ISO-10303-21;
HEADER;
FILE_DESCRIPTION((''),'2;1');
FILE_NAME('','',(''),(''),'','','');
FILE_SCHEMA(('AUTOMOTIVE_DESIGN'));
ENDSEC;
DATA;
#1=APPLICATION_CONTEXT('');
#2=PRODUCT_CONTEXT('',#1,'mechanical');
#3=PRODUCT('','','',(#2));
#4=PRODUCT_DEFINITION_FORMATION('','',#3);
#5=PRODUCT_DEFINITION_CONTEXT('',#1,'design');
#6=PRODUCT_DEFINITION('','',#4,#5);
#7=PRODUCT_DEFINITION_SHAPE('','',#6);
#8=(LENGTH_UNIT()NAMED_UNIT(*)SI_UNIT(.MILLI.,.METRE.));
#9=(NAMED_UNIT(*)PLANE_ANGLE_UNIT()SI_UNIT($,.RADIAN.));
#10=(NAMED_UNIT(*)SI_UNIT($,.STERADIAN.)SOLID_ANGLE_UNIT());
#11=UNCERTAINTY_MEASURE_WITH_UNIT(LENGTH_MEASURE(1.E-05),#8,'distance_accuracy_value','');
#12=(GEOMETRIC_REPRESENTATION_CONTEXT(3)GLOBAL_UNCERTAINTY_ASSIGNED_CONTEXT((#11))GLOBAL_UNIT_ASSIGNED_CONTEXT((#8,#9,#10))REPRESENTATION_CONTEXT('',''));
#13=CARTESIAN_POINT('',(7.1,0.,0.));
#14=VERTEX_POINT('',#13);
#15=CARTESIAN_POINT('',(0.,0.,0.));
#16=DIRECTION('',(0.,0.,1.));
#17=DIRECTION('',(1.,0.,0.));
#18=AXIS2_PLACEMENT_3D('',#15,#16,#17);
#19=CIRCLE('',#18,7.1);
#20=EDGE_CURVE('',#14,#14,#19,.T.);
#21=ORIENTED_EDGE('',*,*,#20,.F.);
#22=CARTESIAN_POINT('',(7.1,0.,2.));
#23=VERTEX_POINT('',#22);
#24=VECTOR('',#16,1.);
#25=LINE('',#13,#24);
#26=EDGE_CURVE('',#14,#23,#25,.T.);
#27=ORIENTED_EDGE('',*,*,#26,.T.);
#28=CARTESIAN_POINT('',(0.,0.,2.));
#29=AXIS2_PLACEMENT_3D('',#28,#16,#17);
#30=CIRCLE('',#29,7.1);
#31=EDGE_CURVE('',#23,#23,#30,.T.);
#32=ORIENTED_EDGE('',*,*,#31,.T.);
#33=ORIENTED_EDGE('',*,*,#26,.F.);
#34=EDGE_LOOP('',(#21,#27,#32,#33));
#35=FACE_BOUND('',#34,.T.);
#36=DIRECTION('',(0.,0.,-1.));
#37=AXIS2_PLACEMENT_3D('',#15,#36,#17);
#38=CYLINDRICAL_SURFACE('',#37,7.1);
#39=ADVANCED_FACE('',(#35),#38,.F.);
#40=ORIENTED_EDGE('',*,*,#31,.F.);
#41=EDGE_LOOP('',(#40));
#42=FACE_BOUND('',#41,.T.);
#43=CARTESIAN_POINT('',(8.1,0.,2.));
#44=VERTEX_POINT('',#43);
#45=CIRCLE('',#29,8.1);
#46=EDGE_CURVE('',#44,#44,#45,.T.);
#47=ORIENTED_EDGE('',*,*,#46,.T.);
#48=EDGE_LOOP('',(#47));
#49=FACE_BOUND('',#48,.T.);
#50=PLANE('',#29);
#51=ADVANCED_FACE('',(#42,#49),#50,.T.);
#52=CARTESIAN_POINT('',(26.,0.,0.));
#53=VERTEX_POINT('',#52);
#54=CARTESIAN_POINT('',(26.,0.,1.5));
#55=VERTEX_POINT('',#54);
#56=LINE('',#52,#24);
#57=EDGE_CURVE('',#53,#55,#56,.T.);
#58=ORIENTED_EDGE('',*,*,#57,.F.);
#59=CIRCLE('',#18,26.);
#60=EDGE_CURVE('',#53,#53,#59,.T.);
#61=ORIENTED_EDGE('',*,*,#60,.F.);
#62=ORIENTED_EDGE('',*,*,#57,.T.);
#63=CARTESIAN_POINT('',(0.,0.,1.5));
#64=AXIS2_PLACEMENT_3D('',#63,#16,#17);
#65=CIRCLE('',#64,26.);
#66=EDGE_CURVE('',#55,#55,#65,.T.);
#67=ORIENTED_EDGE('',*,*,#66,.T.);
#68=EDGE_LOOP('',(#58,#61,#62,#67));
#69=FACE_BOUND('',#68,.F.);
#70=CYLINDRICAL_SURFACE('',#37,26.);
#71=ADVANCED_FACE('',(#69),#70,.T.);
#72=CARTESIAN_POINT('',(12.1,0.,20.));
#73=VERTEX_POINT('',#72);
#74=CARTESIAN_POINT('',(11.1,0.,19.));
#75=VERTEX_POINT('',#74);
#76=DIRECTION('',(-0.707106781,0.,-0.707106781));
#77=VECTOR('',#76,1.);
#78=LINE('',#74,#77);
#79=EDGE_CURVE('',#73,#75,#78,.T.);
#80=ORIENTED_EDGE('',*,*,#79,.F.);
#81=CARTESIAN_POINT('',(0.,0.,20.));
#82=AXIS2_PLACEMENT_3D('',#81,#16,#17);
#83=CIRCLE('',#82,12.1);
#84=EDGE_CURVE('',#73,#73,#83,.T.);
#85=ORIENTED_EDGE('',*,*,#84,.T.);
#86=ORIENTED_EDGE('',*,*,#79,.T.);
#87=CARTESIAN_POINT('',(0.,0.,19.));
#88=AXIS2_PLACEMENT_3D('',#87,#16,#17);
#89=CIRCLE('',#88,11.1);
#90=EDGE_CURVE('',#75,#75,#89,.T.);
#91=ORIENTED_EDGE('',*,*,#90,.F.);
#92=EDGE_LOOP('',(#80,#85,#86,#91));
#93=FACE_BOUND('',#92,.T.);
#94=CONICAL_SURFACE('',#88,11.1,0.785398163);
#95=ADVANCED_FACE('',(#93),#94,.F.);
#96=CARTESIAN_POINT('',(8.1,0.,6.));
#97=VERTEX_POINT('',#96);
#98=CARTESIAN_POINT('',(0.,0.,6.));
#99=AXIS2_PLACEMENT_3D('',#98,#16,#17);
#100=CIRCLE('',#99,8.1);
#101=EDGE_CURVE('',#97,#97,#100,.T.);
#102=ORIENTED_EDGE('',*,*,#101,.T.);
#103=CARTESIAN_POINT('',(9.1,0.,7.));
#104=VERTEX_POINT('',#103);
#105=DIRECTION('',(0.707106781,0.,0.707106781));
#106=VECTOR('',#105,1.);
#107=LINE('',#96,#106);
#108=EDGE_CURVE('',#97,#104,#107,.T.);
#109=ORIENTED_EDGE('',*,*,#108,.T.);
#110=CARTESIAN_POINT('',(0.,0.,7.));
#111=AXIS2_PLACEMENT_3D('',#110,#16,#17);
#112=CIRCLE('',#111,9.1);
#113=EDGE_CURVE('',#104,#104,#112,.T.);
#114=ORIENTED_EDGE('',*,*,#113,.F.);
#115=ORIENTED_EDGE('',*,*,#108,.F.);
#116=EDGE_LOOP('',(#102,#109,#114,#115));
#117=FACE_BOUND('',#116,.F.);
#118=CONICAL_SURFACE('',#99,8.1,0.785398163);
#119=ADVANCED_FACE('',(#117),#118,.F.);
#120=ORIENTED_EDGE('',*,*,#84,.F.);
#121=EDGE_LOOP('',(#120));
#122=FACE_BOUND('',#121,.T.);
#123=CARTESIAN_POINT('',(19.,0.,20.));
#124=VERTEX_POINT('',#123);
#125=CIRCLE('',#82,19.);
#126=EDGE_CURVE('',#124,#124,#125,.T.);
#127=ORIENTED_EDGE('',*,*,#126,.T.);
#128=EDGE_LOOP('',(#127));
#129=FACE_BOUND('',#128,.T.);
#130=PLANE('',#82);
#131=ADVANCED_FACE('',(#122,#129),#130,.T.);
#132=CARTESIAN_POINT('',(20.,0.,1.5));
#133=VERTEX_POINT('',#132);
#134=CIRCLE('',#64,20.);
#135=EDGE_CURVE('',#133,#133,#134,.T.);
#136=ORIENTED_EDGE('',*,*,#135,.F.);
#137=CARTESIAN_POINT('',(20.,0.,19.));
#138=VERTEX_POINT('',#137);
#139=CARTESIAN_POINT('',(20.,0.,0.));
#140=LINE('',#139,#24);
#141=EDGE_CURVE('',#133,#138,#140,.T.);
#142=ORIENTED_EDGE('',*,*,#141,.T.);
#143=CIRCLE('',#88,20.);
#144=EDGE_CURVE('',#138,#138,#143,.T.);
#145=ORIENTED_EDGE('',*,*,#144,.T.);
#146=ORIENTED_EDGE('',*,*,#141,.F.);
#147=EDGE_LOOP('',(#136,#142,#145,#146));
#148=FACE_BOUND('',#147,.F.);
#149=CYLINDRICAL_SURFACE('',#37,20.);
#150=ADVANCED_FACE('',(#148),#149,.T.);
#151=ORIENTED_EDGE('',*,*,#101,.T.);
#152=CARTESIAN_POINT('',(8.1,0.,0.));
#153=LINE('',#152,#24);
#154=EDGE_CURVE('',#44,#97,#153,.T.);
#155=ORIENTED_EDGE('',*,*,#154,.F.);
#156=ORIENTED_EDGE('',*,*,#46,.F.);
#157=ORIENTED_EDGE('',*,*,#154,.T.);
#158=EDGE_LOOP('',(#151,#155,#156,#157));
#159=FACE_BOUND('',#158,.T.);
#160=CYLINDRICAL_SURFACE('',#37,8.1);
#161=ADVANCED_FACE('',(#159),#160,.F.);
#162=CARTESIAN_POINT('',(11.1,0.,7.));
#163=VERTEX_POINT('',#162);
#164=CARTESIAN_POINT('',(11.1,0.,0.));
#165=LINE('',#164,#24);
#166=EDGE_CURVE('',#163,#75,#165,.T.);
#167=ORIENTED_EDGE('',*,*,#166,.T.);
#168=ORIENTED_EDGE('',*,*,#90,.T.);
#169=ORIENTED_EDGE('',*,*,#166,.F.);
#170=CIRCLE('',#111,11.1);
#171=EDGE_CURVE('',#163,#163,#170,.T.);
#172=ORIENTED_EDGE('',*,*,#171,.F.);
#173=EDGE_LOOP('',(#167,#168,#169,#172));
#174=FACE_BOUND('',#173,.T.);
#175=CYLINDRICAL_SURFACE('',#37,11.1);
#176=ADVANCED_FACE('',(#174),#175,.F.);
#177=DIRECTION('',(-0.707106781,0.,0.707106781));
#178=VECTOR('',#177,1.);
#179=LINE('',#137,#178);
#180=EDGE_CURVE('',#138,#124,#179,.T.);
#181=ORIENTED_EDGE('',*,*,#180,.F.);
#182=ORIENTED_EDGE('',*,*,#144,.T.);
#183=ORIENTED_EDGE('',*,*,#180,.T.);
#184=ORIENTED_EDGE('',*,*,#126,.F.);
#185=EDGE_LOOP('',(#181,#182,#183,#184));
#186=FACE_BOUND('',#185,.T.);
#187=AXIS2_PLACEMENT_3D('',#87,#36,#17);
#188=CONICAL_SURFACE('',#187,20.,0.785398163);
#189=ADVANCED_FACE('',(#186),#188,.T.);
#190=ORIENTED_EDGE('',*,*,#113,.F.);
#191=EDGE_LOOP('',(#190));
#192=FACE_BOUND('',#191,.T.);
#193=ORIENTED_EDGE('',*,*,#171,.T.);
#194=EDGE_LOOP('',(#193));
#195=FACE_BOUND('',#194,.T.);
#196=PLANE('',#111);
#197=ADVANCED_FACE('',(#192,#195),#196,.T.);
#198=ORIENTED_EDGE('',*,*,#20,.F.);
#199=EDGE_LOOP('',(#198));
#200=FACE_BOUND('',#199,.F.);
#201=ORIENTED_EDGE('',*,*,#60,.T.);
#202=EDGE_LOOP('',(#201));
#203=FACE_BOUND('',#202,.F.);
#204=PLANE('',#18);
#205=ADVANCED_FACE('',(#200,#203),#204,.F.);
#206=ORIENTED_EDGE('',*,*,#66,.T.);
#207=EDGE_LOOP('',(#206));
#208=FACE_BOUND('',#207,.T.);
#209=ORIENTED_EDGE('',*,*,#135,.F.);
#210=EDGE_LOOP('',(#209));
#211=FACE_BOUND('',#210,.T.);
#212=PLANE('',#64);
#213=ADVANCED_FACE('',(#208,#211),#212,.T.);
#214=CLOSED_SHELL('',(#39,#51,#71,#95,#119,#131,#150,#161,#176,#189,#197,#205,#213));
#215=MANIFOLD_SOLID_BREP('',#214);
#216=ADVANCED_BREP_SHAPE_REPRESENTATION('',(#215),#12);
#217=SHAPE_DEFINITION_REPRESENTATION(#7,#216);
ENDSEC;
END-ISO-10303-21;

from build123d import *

# Parameters (mm, degrees)
F0_R     = 8.1
F0_R_2   = 7.1
F1_DEPTH = 2
F0_R_3   = 11.1
F2_DEPTH = 7
F0_R_4   = 20
F3_DEPTH = 20
F0_R_5   = 26
F4_DEPTH = 1.5
F5_SIZE  = 1


with BuildPart() as f1:
    # F0 (on Top) → F1 (new body)
    with BuildSketch(Plane.XY):
        Circle(F0_R)
        Circle(F0_R_2, mode=Mode.SUBTRACT)
    extrude(amount=F1_DEPTH)

    # F0 (on Top) → F2 (join)
    with BuildSketch(Plane.XY):
        Circle(F0_R_3)
        Circle(F0_R, mode=Mode.SUBTRACT)
    extrude(amount=F2_DEPTH)

    # F0 (on Top) → F3 (join)
    with BuildSketch(Plane.XY):
        Circle(F0_R_4)
        Circle(F0_R_3, mode=Mode.SUBTRACT)
    extrude(amount=F3_DEPTH)

    # F0 (on Top) → F4 (join)
    with BuildSketch(Plane.XY):
        Circle(F0_R_5)
        Circle(F0_R_4, mode=Mode.SUBTRACT)
    extrude(amount=F4_DEPTH)

    # F5
    f5_edges = [f1.edges().sort_by_distance(p)[0] for p in [
        (-20, 0, 20),
        (-11.1, 0, 20),
        (-8.1, 0, 7),
    ]]
    chamfer(f5_edges, length=F5_SIZE)


solid = f1.part
